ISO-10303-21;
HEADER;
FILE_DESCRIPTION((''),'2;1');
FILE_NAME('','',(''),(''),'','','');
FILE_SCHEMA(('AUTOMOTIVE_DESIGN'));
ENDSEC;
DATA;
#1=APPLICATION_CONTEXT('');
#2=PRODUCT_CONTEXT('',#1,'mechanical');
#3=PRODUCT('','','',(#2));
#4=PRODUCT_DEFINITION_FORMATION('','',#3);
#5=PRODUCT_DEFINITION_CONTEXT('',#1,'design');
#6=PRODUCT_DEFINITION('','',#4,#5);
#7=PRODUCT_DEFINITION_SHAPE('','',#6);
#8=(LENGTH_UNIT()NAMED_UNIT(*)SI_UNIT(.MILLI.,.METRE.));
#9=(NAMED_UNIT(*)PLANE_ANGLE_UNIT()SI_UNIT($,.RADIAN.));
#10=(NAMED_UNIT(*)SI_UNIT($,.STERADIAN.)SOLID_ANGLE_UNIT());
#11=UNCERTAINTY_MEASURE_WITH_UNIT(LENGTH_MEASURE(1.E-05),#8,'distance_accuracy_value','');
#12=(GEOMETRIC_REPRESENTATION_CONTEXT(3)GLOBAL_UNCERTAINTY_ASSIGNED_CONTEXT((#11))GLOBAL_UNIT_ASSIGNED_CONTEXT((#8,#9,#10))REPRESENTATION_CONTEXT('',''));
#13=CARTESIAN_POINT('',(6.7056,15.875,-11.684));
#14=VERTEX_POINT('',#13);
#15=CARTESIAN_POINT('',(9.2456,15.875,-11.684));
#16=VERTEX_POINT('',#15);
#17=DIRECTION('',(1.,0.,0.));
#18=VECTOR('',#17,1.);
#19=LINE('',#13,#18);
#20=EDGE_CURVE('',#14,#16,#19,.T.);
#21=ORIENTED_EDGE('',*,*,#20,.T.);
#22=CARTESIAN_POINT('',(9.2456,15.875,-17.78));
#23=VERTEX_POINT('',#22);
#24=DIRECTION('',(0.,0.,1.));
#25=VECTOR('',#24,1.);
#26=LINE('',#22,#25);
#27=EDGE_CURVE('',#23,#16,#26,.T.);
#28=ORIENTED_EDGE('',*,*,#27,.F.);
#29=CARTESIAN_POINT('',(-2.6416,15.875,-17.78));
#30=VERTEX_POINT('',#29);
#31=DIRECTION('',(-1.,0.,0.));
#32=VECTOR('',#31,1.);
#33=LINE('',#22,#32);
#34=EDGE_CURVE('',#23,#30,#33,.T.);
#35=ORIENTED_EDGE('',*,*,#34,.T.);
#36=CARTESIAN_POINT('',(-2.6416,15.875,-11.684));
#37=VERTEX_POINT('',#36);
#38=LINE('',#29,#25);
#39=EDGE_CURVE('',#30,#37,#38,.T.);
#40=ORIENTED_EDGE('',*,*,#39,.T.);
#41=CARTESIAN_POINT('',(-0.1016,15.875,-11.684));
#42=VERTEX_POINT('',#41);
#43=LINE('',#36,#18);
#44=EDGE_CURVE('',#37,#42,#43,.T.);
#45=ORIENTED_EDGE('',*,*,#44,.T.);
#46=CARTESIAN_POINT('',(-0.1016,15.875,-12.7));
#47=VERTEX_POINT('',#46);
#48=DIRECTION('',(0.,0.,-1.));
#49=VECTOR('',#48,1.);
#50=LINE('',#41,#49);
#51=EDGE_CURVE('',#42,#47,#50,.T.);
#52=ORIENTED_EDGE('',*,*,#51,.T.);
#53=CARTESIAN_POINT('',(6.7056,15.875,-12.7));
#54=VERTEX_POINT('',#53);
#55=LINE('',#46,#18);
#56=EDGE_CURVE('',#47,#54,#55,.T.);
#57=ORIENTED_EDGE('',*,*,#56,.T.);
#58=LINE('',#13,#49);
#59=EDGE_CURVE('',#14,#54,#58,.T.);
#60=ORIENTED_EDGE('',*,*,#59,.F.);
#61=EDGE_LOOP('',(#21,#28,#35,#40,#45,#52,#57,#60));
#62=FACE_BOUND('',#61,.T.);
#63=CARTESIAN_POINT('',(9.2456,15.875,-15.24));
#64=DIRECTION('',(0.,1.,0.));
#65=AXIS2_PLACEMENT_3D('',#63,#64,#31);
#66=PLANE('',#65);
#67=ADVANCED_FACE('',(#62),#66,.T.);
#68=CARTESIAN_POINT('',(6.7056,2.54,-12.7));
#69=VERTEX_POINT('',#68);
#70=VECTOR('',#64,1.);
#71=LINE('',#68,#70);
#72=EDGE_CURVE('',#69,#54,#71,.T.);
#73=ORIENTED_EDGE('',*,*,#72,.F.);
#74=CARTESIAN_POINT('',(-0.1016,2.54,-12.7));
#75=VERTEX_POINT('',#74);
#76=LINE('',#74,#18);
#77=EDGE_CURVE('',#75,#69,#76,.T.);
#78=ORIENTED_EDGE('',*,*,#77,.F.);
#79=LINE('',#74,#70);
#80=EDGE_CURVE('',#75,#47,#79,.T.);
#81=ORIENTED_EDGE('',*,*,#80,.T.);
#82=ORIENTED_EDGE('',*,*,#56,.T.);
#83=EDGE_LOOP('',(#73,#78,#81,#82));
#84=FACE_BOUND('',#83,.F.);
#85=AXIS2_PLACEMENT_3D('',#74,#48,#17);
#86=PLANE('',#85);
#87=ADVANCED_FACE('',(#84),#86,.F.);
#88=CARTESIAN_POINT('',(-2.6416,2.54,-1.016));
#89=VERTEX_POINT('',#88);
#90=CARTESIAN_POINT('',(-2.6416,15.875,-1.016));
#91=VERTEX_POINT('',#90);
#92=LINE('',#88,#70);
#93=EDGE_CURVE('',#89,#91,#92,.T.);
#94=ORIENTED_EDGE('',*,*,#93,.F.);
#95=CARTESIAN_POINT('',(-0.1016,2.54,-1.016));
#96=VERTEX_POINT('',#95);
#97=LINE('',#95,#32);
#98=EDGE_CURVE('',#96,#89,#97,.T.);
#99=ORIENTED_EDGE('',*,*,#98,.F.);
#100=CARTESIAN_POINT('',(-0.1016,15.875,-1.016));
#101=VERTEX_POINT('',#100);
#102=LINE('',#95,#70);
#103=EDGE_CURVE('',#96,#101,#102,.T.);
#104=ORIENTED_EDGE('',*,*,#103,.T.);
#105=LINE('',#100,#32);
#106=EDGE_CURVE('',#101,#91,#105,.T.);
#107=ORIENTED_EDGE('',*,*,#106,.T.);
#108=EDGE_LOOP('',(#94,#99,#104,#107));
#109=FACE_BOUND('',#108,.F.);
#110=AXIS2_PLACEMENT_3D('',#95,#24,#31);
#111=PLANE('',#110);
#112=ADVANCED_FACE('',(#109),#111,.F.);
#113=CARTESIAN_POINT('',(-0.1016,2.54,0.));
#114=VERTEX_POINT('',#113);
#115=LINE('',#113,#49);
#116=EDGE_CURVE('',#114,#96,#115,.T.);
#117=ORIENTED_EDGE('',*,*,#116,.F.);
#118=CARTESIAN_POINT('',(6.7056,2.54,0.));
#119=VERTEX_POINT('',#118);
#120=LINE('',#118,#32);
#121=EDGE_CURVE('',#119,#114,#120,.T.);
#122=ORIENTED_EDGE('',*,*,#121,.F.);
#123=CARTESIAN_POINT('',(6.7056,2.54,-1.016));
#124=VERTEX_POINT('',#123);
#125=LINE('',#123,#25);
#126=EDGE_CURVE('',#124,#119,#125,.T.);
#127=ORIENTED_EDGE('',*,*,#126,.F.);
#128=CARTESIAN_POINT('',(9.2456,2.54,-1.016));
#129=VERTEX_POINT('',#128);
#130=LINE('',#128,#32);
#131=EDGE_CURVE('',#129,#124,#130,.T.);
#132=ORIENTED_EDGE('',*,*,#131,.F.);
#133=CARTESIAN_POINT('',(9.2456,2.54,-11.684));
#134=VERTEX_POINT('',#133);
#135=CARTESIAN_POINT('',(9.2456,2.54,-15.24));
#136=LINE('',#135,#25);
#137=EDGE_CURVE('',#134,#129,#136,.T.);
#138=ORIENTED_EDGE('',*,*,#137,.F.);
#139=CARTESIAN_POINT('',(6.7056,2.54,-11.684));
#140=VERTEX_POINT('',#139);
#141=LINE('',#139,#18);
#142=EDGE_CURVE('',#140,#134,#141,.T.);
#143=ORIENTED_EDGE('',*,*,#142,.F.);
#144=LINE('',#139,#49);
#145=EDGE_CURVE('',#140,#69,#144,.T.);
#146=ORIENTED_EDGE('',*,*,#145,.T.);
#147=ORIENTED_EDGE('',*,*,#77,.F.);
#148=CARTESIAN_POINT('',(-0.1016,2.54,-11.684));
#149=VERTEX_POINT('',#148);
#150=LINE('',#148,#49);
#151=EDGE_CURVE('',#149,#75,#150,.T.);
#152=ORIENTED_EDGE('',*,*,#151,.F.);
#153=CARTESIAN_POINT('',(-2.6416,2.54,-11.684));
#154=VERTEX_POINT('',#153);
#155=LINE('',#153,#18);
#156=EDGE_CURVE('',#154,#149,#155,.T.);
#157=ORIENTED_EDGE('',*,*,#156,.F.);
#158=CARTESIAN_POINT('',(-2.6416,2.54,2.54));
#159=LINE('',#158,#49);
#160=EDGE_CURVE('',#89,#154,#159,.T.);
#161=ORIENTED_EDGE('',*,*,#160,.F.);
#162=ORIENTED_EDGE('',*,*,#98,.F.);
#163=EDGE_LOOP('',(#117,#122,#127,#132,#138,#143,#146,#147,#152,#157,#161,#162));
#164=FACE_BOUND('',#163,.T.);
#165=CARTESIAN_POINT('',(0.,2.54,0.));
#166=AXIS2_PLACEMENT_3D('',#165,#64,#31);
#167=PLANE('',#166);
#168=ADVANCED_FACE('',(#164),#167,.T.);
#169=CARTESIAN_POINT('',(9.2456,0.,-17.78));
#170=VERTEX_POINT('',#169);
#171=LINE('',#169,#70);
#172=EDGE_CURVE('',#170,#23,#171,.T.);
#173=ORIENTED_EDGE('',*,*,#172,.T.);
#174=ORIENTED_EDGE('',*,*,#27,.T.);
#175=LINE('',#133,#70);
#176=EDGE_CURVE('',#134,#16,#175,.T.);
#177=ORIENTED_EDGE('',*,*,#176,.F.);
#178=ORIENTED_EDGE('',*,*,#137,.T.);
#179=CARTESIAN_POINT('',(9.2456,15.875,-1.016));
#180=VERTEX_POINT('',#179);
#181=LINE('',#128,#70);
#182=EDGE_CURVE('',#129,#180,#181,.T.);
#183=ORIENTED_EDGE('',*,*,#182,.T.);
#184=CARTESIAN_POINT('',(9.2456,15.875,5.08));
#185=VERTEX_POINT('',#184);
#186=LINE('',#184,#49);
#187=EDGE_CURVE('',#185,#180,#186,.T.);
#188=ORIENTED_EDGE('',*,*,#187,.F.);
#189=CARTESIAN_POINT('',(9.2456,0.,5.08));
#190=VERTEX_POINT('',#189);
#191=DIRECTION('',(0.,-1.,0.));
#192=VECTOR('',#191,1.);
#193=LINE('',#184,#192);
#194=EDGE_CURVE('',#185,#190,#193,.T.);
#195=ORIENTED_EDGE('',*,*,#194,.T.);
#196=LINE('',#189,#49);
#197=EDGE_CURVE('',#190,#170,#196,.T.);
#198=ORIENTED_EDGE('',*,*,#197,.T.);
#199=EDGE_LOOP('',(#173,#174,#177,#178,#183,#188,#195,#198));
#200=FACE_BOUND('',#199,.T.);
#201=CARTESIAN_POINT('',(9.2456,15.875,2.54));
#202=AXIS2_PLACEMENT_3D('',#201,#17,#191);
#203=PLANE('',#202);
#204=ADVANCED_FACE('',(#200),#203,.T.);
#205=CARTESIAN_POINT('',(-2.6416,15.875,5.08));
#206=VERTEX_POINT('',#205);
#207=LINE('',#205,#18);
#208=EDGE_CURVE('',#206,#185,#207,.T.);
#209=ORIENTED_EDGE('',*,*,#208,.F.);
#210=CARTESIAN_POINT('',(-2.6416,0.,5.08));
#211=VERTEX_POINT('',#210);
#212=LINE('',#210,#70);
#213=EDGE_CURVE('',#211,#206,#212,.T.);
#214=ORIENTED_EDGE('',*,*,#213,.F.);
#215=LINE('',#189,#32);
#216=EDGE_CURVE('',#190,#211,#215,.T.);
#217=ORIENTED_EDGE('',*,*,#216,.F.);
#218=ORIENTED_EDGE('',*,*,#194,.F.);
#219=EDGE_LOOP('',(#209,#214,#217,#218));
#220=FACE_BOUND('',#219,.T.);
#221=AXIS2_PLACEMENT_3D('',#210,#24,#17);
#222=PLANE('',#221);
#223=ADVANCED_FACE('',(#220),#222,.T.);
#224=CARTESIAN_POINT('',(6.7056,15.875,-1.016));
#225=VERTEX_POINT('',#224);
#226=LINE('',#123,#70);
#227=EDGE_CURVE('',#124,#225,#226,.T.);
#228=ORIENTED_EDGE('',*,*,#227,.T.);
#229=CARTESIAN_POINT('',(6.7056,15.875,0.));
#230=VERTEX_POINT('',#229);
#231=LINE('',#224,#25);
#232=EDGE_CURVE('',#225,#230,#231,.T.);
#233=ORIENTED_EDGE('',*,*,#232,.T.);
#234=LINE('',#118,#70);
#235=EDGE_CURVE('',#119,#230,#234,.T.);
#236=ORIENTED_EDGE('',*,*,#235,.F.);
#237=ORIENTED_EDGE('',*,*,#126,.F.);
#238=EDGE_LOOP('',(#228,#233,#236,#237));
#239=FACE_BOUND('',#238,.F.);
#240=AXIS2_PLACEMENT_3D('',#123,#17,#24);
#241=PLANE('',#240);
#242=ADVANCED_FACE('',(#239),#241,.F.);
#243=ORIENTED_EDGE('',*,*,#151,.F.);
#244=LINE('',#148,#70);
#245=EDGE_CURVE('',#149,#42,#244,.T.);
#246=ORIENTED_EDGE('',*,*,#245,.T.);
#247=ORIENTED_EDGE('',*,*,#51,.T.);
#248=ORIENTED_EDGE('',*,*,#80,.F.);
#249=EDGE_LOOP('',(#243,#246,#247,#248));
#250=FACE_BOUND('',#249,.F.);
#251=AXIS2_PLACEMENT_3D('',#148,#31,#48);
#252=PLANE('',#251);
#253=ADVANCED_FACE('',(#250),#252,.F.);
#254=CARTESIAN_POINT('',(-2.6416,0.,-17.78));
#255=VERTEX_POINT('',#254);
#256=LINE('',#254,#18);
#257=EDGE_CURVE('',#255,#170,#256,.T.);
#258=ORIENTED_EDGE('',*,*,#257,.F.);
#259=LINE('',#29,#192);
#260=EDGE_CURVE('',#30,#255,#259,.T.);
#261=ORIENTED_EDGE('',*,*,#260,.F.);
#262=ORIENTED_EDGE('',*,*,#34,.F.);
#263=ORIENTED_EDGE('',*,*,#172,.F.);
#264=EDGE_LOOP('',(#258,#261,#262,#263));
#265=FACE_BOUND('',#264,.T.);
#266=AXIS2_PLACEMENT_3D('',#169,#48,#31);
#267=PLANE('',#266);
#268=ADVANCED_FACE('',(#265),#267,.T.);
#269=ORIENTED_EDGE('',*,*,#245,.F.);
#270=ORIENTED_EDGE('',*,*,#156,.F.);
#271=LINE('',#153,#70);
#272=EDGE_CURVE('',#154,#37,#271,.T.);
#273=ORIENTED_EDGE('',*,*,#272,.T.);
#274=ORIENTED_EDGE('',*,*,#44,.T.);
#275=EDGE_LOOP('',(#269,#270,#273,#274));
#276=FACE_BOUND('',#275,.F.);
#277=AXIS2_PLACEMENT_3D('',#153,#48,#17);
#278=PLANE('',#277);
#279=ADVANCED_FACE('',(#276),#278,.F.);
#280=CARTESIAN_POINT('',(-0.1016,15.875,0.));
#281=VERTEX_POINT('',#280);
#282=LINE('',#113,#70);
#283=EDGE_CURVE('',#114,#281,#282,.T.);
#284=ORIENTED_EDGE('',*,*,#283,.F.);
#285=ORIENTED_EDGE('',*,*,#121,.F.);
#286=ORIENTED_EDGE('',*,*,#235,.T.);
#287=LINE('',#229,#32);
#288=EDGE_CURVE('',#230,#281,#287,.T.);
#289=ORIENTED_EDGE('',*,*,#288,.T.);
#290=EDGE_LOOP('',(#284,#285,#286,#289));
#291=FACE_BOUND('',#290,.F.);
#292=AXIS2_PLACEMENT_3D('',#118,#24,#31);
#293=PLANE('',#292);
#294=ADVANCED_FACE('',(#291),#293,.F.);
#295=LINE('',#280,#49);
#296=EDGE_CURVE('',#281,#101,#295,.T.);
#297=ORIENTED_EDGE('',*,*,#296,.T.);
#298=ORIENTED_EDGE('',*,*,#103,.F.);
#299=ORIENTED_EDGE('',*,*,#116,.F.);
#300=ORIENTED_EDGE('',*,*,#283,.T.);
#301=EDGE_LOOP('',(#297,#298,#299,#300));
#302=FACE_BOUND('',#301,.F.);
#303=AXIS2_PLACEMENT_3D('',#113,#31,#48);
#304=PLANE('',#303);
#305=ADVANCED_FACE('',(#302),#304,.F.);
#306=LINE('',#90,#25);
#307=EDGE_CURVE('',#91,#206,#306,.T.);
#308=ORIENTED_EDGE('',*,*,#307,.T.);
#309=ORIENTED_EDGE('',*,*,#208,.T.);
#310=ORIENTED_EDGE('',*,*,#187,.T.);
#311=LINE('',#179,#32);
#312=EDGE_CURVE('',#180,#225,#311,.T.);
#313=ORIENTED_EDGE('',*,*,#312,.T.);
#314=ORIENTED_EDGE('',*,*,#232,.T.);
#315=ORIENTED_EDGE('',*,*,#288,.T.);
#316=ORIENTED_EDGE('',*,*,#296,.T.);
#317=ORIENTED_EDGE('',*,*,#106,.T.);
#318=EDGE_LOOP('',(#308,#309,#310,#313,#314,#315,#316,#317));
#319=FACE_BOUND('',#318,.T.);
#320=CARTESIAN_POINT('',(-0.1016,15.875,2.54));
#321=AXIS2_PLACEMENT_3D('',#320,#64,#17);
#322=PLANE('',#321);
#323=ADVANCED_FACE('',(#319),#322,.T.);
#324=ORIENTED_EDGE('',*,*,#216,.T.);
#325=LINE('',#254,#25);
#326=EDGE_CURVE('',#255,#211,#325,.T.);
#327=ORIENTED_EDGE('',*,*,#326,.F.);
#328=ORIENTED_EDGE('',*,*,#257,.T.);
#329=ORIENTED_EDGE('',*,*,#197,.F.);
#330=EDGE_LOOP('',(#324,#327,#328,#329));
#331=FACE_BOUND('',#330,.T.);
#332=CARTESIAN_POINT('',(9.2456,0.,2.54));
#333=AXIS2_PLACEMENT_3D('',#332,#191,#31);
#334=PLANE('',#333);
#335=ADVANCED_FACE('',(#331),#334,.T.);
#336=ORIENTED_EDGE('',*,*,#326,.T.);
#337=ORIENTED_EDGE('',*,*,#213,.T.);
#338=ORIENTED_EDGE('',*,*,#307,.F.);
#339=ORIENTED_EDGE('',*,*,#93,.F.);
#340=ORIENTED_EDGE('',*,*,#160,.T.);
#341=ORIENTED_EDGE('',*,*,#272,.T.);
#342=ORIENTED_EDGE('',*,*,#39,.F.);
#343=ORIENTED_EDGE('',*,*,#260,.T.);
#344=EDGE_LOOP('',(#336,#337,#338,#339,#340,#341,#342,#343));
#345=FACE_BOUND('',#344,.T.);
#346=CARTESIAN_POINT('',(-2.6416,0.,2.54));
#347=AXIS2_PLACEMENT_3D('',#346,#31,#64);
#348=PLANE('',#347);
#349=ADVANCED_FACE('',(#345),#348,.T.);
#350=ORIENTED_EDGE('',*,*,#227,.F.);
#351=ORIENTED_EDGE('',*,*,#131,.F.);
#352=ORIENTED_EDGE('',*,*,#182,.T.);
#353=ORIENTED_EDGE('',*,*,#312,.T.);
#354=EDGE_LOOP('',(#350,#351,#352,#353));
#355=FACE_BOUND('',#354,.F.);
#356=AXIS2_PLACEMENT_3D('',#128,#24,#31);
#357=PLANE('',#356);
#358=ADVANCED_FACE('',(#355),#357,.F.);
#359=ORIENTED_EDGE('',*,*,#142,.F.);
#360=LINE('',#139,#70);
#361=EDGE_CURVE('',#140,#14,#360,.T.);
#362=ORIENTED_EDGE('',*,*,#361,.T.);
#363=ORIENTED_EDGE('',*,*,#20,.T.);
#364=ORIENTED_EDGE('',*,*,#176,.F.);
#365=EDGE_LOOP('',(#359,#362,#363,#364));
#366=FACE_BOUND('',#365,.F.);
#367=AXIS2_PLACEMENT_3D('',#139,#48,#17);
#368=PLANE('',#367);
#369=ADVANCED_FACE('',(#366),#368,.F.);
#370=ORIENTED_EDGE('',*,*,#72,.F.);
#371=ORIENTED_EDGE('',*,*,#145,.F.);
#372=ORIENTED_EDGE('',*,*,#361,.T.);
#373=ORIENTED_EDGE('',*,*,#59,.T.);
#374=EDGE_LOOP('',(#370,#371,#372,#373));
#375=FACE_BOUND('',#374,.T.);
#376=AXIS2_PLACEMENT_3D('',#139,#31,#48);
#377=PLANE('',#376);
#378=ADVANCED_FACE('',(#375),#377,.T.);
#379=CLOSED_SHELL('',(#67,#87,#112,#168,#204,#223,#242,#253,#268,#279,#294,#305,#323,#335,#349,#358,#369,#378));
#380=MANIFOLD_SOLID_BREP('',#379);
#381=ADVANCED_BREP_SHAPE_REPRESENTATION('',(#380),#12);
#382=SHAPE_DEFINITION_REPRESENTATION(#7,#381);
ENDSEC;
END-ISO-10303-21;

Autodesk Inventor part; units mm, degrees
ref_plane "YZ Plane" through (0, 0, 0) normal (1, 0, 0) x (0, 1, 0)
ref_plane "XZ Plane" through (0, 0, 0) normal (0, 1, 0) x (-1, 0, 0)
ref_plane "XY Plane" through (0, 0, 0) normal (0, 0, 1) x (1, 0, 0)
sketch "Sketch5" plane through (0, 0, 0) normal (0, 1, 0) x (-1, 0, 0)
  line L0 (0, 0) -> (-6.604, 0) construction
  line L1 (-6.604, 0) -> (-6.604, -12.7) construction
  line L2 (-6.604, -12.7) -> (0, -12.7) construction
  line L3 (0, -12.7) -> (0, 0) construction
  line L4 (2.6416, -15.24) -> (-9.2456, -15.24)
  line L5 (-9.2456, -15.24) -> (-9.2456, 2.54)
  line L6 (-9.2456, 2.54) -> (2.6416, 2.54)
  line L7 (2.6416, 2.54) -> (2.6416, -15.24)
  dimension "d22" = 6.604
  dimension "d23" = 12.7
  dimension "d24" = 2.6416
  dimension "d25" = 2.6416
  dimension "d26" = 2.54
  dimension "d27" = 2.54
extrude "Extrusion3" add sketch "Sketch5" along normal blind 2.54
sketch "Sketch6" plane through (0, 2.54, 0) normal (0, 1, 0) x (1, 0, 0)
  line L0 (-2.6416, -2.54) -> (9.2456, -2.54)
  line L1 (9.2456, -2.54) -> (9.2456, 0)
  line L2 (6.7056, 0) -> (-0.1016, 0)
  line L3 (-2.6416, -0.508) -> (-2.6416, -2.54)
  line L4 (-2.6416, 15.24) -> (-2.6416, -2.54) projected
  line L5 (9.2456, -2.54) -> (9.2456, 15.24) projected
  line L6 (-2.6416, -2.54) -> (9.2456, -2.54) projected
  line L7 (-0.1016, 12.7) -> (6.7056, 12.7)
  line L8 (9.2456, 12.954) -> (9.2456, 15.24)
  line L9 (9.2456, 15.24) -> (-2.6416, 15.24)
  line L10 (-2.6416, 15.24) -> (-2.6416, 12.7)
  line L11 (9.2456, 15.24) -> (-2.6416, 15.24) projected
  line L12 (9.2456, 12.954) -> (9.2456, 11.684)
  line L13 (6.7056, 11.684) -> (6.7056, 12.7)
  line L14 (6.7056, 11.684) -> (9.2456, 11.684)
  line L15 (-2.6416, 12.7) -> (-2.6416, 11.684)
  line L16 (-2.6416, 11.684) -> (-0.1016, 11.684)
  line L17 (-0.1016, 11.684) -> (-0.1016, 12.7)
  line L18 (9.2456, 0) -> (9.2456, 1.016)
  line L19 (9.2456, 1.016) -> (6.7056, 1.016)
  line L20 (6.7056, 1.016) -> (6.7056, 0)
  line L21 (-0.1016, 0) -> (-0.1016, 1.016)
  line L22 (-0.1016, 1.016) -> (-2.6416, 1.016)
  line L23 (-2.6416, 1.016) -> (-2.6416, -0.508)
  point P0 (0, 0)
  point P1 (7.9756, 11.684)
  point P2 (9.2456, 0.508)
  point P3 (-2.6416, 15.24)
  point P4 (-2.6416, 1.016)
  point P5 (9.2456, 0)
  dimension "d30" = 2.54
  dimension "d31" = 2.54
  dimension "d32" = 2.54
  dimension "d33" = 1.016
  dimension "d35" = 2.54
  dimension "d36" = 1.016
  dimension "d37" = 1.016
  dimension "d38" = 2.54
  dimension "d39" = 2.54
  dimension "d40" = 1.016
extrude "Extrusion4" add sketch "Sketch6" along normal blind 13.335 contours L3 L4 L22 L21 L2 L20 L19 L5 L1 L0 | L4 L9 L5 L14 L13 L7 L17 L16
sketch "Sketch8" plane through (9.2456, 0, -15.24) normal (0, 0, -1) x (-1, 0, 0)
  line L0 (0, 0) -> (0, 15.875) projected
  line L1 (11.8872, 0) -> (0, 0) projected
  line L2 (0, 15.875) -> (11.8872, 15.875)
  line L3 (11.8872, 15.875) -> (11.8872, 0)
  line L4 (11.8872, 0) -> (0, 0)
  line L5 (0, 0) -> (0, 15.875)
  point P0 (9.2456, 0)
extrude "Extrusion5" add sketch "Sketch8" along normal blind 2.54
sketch "Sketch9" plane through (-2.6416, 0, 2.54) normal (0, 0, 1) x (1, 0, 0)
  line L0 (2.54, 15.875) -> (0, 15.875) projected
  line L1 (11.8872, 0) -> (0, 0) projected
  line L2 (0, 15.875) -> (11.8872, 15.875)
  line L3 (11.8872, 15.875) -> (11.8872, 0)
  line L4 (11.8872, 0) -> (0, 0)
  line L5 (0, 0) -> (0, 15.875)
  point P0 (2.6416, 0)
  point P1 (0, 0)
extrude "Extrusion6" add sketch "Sketch9" along normal blind 2.54
properties part number "LatchSingleFit" material "PC/ABS Plastic"
